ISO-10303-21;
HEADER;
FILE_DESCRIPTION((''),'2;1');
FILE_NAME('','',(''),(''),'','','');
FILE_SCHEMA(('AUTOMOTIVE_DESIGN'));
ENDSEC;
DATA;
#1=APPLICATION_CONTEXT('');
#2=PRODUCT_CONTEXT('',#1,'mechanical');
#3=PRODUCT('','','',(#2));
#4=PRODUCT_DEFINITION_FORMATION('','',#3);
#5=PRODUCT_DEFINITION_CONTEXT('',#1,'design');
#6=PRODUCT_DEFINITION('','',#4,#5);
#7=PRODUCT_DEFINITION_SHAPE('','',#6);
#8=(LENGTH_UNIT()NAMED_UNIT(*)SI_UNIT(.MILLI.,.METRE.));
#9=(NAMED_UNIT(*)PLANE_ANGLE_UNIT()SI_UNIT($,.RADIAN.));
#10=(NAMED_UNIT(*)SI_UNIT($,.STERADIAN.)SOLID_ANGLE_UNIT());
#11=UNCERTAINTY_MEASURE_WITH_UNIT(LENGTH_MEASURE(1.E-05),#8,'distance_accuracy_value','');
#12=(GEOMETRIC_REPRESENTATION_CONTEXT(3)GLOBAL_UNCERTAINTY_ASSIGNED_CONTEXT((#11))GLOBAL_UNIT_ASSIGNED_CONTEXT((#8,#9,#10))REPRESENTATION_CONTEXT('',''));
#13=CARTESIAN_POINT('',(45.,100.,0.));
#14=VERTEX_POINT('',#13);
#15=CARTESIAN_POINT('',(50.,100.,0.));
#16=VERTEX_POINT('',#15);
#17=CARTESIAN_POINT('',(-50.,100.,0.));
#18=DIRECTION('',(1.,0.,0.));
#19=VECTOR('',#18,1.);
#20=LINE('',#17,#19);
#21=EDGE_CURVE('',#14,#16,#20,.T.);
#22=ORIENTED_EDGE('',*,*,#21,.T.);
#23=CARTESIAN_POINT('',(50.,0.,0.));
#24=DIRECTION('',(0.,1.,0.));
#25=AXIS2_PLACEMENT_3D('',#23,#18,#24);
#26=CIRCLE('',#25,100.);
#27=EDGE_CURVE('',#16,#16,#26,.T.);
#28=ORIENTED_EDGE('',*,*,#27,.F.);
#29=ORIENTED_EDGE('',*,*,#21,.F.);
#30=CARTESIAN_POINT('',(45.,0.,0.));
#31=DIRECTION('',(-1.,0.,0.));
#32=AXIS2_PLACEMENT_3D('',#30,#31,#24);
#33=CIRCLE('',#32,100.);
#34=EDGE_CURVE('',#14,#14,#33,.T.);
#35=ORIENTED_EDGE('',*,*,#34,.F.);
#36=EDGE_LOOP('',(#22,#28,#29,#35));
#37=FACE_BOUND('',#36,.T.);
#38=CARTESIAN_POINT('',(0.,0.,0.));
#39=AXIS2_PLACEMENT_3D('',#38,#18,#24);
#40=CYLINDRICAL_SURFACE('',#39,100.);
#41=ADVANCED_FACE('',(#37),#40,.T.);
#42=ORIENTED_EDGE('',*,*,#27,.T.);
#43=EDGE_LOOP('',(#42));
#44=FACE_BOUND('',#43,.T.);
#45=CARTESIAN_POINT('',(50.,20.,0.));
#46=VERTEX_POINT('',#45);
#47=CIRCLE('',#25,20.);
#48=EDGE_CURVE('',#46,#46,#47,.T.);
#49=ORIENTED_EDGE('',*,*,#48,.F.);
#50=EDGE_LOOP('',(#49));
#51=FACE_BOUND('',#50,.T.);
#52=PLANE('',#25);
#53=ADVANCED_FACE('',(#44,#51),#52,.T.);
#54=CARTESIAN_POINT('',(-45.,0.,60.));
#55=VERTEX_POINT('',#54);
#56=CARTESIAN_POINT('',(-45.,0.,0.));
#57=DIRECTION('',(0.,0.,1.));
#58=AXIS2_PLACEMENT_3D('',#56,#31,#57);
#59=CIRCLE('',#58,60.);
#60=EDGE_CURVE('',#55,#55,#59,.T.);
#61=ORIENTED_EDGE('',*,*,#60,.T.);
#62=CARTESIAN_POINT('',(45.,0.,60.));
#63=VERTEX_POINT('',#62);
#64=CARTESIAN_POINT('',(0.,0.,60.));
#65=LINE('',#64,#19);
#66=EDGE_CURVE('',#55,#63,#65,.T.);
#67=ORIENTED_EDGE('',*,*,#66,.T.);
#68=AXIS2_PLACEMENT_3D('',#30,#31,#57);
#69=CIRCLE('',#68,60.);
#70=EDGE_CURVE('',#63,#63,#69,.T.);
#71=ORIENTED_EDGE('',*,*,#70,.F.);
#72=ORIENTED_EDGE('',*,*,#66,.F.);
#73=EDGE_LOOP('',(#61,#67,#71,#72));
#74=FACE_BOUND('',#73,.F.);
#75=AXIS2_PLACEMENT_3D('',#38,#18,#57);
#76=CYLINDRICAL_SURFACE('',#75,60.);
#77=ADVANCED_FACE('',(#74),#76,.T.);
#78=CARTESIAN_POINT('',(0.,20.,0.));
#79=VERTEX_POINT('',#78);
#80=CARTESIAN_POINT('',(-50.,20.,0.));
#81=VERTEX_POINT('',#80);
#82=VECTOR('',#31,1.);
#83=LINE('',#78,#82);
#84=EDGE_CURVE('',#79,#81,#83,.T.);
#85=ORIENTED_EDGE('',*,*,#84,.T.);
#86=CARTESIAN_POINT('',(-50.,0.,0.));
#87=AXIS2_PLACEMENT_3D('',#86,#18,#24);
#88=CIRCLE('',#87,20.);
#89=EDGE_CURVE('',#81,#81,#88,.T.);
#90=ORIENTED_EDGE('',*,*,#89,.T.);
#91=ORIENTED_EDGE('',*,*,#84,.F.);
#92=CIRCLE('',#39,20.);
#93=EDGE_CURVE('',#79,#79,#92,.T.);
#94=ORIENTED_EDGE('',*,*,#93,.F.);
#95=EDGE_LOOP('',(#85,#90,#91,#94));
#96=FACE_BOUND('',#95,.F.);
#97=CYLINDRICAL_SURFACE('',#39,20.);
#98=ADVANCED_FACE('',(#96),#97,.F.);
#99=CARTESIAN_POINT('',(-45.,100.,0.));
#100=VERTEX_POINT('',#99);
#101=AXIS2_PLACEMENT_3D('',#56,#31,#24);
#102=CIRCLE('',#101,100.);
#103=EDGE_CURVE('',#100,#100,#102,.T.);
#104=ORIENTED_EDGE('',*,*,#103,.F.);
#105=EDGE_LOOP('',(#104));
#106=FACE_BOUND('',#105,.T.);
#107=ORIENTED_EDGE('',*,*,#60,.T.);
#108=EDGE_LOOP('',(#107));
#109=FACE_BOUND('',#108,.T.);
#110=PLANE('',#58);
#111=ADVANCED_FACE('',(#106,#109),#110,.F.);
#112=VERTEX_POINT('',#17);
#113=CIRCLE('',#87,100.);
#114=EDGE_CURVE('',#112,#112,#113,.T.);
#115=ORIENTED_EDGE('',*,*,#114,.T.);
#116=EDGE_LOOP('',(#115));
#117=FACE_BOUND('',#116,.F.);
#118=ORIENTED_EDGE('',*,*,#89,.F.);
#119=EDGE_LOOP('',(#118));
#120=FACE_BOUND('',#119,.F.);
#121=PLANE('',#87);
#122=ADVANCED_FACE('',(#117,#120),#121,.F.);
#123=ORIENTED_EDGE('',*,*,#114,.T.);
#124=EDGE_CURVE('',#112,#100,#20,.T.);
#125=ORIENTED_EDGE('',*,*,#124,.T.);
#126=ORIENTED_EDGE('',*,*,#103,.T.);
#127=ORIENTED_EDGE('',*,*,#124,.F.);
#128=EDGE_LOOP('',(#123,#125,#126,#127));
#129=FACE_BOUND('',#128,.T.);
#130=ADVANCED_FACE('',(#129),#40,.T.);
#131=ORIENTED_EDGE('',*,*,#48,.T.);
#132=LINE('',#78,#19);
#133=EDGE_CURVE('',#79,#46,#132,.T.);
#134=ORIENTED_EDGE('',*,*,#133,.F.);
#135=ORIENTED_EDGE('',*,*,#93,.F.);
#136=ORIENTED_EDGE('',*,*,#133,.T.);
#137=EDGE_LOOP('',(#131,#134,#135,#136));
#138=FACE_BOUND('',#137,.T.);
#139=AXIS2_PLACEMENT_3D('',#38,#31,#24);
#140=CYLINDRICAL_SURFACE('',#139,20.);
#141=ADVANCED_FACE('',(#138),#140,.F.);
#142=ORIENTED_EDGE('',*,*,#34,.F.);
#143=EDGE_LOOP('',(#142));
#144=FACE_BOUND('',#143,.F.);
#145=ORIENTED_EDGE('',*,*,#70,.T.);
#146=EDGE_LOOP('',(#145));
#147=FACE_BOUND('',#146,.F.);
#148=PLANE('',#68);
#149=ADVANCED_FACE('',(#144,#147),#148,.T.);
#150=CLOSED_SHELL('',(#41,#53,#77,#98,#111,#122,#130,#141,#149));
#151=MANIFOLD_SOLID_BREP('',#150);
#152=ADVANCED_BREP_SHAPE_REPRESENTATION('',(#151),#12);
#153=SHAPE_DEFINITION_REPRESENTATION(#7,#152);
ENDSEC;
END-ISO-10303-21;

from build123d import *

# Parameters (mm, degrees)
F0_R          = 100
F0_R_2        = 20
F1_DEPTH      = 50
F1_DEPTH_BACK = 50
F2_W          = 90
F2_H          = 40


with BuildPart() as f1:
    # F0 (on Right) → F1 (new body, two sides)
    with BuildSketch(Plane.YZ) as f1_sk:
        Circle(F0_R)
        Circle(F0_R_2, mode=Mode.SUBTRACT)
    extrude(amount=F1_DEPTH)
    extrude(f1_sk.sketch, amount=-F1_DEPTH_BACK)

    # F2 (on Front) → F3 (revolve, cut)
    with BuildSketch(Plane.XZ):
        with Locations((0, 80)):
            Rectangle(F2_W, F2_H)
    revolve(axis=Axis((-15, 0, 0), (-1, 0, 0)), mode=Mode.SUBTRACT)


solid = f1.part
